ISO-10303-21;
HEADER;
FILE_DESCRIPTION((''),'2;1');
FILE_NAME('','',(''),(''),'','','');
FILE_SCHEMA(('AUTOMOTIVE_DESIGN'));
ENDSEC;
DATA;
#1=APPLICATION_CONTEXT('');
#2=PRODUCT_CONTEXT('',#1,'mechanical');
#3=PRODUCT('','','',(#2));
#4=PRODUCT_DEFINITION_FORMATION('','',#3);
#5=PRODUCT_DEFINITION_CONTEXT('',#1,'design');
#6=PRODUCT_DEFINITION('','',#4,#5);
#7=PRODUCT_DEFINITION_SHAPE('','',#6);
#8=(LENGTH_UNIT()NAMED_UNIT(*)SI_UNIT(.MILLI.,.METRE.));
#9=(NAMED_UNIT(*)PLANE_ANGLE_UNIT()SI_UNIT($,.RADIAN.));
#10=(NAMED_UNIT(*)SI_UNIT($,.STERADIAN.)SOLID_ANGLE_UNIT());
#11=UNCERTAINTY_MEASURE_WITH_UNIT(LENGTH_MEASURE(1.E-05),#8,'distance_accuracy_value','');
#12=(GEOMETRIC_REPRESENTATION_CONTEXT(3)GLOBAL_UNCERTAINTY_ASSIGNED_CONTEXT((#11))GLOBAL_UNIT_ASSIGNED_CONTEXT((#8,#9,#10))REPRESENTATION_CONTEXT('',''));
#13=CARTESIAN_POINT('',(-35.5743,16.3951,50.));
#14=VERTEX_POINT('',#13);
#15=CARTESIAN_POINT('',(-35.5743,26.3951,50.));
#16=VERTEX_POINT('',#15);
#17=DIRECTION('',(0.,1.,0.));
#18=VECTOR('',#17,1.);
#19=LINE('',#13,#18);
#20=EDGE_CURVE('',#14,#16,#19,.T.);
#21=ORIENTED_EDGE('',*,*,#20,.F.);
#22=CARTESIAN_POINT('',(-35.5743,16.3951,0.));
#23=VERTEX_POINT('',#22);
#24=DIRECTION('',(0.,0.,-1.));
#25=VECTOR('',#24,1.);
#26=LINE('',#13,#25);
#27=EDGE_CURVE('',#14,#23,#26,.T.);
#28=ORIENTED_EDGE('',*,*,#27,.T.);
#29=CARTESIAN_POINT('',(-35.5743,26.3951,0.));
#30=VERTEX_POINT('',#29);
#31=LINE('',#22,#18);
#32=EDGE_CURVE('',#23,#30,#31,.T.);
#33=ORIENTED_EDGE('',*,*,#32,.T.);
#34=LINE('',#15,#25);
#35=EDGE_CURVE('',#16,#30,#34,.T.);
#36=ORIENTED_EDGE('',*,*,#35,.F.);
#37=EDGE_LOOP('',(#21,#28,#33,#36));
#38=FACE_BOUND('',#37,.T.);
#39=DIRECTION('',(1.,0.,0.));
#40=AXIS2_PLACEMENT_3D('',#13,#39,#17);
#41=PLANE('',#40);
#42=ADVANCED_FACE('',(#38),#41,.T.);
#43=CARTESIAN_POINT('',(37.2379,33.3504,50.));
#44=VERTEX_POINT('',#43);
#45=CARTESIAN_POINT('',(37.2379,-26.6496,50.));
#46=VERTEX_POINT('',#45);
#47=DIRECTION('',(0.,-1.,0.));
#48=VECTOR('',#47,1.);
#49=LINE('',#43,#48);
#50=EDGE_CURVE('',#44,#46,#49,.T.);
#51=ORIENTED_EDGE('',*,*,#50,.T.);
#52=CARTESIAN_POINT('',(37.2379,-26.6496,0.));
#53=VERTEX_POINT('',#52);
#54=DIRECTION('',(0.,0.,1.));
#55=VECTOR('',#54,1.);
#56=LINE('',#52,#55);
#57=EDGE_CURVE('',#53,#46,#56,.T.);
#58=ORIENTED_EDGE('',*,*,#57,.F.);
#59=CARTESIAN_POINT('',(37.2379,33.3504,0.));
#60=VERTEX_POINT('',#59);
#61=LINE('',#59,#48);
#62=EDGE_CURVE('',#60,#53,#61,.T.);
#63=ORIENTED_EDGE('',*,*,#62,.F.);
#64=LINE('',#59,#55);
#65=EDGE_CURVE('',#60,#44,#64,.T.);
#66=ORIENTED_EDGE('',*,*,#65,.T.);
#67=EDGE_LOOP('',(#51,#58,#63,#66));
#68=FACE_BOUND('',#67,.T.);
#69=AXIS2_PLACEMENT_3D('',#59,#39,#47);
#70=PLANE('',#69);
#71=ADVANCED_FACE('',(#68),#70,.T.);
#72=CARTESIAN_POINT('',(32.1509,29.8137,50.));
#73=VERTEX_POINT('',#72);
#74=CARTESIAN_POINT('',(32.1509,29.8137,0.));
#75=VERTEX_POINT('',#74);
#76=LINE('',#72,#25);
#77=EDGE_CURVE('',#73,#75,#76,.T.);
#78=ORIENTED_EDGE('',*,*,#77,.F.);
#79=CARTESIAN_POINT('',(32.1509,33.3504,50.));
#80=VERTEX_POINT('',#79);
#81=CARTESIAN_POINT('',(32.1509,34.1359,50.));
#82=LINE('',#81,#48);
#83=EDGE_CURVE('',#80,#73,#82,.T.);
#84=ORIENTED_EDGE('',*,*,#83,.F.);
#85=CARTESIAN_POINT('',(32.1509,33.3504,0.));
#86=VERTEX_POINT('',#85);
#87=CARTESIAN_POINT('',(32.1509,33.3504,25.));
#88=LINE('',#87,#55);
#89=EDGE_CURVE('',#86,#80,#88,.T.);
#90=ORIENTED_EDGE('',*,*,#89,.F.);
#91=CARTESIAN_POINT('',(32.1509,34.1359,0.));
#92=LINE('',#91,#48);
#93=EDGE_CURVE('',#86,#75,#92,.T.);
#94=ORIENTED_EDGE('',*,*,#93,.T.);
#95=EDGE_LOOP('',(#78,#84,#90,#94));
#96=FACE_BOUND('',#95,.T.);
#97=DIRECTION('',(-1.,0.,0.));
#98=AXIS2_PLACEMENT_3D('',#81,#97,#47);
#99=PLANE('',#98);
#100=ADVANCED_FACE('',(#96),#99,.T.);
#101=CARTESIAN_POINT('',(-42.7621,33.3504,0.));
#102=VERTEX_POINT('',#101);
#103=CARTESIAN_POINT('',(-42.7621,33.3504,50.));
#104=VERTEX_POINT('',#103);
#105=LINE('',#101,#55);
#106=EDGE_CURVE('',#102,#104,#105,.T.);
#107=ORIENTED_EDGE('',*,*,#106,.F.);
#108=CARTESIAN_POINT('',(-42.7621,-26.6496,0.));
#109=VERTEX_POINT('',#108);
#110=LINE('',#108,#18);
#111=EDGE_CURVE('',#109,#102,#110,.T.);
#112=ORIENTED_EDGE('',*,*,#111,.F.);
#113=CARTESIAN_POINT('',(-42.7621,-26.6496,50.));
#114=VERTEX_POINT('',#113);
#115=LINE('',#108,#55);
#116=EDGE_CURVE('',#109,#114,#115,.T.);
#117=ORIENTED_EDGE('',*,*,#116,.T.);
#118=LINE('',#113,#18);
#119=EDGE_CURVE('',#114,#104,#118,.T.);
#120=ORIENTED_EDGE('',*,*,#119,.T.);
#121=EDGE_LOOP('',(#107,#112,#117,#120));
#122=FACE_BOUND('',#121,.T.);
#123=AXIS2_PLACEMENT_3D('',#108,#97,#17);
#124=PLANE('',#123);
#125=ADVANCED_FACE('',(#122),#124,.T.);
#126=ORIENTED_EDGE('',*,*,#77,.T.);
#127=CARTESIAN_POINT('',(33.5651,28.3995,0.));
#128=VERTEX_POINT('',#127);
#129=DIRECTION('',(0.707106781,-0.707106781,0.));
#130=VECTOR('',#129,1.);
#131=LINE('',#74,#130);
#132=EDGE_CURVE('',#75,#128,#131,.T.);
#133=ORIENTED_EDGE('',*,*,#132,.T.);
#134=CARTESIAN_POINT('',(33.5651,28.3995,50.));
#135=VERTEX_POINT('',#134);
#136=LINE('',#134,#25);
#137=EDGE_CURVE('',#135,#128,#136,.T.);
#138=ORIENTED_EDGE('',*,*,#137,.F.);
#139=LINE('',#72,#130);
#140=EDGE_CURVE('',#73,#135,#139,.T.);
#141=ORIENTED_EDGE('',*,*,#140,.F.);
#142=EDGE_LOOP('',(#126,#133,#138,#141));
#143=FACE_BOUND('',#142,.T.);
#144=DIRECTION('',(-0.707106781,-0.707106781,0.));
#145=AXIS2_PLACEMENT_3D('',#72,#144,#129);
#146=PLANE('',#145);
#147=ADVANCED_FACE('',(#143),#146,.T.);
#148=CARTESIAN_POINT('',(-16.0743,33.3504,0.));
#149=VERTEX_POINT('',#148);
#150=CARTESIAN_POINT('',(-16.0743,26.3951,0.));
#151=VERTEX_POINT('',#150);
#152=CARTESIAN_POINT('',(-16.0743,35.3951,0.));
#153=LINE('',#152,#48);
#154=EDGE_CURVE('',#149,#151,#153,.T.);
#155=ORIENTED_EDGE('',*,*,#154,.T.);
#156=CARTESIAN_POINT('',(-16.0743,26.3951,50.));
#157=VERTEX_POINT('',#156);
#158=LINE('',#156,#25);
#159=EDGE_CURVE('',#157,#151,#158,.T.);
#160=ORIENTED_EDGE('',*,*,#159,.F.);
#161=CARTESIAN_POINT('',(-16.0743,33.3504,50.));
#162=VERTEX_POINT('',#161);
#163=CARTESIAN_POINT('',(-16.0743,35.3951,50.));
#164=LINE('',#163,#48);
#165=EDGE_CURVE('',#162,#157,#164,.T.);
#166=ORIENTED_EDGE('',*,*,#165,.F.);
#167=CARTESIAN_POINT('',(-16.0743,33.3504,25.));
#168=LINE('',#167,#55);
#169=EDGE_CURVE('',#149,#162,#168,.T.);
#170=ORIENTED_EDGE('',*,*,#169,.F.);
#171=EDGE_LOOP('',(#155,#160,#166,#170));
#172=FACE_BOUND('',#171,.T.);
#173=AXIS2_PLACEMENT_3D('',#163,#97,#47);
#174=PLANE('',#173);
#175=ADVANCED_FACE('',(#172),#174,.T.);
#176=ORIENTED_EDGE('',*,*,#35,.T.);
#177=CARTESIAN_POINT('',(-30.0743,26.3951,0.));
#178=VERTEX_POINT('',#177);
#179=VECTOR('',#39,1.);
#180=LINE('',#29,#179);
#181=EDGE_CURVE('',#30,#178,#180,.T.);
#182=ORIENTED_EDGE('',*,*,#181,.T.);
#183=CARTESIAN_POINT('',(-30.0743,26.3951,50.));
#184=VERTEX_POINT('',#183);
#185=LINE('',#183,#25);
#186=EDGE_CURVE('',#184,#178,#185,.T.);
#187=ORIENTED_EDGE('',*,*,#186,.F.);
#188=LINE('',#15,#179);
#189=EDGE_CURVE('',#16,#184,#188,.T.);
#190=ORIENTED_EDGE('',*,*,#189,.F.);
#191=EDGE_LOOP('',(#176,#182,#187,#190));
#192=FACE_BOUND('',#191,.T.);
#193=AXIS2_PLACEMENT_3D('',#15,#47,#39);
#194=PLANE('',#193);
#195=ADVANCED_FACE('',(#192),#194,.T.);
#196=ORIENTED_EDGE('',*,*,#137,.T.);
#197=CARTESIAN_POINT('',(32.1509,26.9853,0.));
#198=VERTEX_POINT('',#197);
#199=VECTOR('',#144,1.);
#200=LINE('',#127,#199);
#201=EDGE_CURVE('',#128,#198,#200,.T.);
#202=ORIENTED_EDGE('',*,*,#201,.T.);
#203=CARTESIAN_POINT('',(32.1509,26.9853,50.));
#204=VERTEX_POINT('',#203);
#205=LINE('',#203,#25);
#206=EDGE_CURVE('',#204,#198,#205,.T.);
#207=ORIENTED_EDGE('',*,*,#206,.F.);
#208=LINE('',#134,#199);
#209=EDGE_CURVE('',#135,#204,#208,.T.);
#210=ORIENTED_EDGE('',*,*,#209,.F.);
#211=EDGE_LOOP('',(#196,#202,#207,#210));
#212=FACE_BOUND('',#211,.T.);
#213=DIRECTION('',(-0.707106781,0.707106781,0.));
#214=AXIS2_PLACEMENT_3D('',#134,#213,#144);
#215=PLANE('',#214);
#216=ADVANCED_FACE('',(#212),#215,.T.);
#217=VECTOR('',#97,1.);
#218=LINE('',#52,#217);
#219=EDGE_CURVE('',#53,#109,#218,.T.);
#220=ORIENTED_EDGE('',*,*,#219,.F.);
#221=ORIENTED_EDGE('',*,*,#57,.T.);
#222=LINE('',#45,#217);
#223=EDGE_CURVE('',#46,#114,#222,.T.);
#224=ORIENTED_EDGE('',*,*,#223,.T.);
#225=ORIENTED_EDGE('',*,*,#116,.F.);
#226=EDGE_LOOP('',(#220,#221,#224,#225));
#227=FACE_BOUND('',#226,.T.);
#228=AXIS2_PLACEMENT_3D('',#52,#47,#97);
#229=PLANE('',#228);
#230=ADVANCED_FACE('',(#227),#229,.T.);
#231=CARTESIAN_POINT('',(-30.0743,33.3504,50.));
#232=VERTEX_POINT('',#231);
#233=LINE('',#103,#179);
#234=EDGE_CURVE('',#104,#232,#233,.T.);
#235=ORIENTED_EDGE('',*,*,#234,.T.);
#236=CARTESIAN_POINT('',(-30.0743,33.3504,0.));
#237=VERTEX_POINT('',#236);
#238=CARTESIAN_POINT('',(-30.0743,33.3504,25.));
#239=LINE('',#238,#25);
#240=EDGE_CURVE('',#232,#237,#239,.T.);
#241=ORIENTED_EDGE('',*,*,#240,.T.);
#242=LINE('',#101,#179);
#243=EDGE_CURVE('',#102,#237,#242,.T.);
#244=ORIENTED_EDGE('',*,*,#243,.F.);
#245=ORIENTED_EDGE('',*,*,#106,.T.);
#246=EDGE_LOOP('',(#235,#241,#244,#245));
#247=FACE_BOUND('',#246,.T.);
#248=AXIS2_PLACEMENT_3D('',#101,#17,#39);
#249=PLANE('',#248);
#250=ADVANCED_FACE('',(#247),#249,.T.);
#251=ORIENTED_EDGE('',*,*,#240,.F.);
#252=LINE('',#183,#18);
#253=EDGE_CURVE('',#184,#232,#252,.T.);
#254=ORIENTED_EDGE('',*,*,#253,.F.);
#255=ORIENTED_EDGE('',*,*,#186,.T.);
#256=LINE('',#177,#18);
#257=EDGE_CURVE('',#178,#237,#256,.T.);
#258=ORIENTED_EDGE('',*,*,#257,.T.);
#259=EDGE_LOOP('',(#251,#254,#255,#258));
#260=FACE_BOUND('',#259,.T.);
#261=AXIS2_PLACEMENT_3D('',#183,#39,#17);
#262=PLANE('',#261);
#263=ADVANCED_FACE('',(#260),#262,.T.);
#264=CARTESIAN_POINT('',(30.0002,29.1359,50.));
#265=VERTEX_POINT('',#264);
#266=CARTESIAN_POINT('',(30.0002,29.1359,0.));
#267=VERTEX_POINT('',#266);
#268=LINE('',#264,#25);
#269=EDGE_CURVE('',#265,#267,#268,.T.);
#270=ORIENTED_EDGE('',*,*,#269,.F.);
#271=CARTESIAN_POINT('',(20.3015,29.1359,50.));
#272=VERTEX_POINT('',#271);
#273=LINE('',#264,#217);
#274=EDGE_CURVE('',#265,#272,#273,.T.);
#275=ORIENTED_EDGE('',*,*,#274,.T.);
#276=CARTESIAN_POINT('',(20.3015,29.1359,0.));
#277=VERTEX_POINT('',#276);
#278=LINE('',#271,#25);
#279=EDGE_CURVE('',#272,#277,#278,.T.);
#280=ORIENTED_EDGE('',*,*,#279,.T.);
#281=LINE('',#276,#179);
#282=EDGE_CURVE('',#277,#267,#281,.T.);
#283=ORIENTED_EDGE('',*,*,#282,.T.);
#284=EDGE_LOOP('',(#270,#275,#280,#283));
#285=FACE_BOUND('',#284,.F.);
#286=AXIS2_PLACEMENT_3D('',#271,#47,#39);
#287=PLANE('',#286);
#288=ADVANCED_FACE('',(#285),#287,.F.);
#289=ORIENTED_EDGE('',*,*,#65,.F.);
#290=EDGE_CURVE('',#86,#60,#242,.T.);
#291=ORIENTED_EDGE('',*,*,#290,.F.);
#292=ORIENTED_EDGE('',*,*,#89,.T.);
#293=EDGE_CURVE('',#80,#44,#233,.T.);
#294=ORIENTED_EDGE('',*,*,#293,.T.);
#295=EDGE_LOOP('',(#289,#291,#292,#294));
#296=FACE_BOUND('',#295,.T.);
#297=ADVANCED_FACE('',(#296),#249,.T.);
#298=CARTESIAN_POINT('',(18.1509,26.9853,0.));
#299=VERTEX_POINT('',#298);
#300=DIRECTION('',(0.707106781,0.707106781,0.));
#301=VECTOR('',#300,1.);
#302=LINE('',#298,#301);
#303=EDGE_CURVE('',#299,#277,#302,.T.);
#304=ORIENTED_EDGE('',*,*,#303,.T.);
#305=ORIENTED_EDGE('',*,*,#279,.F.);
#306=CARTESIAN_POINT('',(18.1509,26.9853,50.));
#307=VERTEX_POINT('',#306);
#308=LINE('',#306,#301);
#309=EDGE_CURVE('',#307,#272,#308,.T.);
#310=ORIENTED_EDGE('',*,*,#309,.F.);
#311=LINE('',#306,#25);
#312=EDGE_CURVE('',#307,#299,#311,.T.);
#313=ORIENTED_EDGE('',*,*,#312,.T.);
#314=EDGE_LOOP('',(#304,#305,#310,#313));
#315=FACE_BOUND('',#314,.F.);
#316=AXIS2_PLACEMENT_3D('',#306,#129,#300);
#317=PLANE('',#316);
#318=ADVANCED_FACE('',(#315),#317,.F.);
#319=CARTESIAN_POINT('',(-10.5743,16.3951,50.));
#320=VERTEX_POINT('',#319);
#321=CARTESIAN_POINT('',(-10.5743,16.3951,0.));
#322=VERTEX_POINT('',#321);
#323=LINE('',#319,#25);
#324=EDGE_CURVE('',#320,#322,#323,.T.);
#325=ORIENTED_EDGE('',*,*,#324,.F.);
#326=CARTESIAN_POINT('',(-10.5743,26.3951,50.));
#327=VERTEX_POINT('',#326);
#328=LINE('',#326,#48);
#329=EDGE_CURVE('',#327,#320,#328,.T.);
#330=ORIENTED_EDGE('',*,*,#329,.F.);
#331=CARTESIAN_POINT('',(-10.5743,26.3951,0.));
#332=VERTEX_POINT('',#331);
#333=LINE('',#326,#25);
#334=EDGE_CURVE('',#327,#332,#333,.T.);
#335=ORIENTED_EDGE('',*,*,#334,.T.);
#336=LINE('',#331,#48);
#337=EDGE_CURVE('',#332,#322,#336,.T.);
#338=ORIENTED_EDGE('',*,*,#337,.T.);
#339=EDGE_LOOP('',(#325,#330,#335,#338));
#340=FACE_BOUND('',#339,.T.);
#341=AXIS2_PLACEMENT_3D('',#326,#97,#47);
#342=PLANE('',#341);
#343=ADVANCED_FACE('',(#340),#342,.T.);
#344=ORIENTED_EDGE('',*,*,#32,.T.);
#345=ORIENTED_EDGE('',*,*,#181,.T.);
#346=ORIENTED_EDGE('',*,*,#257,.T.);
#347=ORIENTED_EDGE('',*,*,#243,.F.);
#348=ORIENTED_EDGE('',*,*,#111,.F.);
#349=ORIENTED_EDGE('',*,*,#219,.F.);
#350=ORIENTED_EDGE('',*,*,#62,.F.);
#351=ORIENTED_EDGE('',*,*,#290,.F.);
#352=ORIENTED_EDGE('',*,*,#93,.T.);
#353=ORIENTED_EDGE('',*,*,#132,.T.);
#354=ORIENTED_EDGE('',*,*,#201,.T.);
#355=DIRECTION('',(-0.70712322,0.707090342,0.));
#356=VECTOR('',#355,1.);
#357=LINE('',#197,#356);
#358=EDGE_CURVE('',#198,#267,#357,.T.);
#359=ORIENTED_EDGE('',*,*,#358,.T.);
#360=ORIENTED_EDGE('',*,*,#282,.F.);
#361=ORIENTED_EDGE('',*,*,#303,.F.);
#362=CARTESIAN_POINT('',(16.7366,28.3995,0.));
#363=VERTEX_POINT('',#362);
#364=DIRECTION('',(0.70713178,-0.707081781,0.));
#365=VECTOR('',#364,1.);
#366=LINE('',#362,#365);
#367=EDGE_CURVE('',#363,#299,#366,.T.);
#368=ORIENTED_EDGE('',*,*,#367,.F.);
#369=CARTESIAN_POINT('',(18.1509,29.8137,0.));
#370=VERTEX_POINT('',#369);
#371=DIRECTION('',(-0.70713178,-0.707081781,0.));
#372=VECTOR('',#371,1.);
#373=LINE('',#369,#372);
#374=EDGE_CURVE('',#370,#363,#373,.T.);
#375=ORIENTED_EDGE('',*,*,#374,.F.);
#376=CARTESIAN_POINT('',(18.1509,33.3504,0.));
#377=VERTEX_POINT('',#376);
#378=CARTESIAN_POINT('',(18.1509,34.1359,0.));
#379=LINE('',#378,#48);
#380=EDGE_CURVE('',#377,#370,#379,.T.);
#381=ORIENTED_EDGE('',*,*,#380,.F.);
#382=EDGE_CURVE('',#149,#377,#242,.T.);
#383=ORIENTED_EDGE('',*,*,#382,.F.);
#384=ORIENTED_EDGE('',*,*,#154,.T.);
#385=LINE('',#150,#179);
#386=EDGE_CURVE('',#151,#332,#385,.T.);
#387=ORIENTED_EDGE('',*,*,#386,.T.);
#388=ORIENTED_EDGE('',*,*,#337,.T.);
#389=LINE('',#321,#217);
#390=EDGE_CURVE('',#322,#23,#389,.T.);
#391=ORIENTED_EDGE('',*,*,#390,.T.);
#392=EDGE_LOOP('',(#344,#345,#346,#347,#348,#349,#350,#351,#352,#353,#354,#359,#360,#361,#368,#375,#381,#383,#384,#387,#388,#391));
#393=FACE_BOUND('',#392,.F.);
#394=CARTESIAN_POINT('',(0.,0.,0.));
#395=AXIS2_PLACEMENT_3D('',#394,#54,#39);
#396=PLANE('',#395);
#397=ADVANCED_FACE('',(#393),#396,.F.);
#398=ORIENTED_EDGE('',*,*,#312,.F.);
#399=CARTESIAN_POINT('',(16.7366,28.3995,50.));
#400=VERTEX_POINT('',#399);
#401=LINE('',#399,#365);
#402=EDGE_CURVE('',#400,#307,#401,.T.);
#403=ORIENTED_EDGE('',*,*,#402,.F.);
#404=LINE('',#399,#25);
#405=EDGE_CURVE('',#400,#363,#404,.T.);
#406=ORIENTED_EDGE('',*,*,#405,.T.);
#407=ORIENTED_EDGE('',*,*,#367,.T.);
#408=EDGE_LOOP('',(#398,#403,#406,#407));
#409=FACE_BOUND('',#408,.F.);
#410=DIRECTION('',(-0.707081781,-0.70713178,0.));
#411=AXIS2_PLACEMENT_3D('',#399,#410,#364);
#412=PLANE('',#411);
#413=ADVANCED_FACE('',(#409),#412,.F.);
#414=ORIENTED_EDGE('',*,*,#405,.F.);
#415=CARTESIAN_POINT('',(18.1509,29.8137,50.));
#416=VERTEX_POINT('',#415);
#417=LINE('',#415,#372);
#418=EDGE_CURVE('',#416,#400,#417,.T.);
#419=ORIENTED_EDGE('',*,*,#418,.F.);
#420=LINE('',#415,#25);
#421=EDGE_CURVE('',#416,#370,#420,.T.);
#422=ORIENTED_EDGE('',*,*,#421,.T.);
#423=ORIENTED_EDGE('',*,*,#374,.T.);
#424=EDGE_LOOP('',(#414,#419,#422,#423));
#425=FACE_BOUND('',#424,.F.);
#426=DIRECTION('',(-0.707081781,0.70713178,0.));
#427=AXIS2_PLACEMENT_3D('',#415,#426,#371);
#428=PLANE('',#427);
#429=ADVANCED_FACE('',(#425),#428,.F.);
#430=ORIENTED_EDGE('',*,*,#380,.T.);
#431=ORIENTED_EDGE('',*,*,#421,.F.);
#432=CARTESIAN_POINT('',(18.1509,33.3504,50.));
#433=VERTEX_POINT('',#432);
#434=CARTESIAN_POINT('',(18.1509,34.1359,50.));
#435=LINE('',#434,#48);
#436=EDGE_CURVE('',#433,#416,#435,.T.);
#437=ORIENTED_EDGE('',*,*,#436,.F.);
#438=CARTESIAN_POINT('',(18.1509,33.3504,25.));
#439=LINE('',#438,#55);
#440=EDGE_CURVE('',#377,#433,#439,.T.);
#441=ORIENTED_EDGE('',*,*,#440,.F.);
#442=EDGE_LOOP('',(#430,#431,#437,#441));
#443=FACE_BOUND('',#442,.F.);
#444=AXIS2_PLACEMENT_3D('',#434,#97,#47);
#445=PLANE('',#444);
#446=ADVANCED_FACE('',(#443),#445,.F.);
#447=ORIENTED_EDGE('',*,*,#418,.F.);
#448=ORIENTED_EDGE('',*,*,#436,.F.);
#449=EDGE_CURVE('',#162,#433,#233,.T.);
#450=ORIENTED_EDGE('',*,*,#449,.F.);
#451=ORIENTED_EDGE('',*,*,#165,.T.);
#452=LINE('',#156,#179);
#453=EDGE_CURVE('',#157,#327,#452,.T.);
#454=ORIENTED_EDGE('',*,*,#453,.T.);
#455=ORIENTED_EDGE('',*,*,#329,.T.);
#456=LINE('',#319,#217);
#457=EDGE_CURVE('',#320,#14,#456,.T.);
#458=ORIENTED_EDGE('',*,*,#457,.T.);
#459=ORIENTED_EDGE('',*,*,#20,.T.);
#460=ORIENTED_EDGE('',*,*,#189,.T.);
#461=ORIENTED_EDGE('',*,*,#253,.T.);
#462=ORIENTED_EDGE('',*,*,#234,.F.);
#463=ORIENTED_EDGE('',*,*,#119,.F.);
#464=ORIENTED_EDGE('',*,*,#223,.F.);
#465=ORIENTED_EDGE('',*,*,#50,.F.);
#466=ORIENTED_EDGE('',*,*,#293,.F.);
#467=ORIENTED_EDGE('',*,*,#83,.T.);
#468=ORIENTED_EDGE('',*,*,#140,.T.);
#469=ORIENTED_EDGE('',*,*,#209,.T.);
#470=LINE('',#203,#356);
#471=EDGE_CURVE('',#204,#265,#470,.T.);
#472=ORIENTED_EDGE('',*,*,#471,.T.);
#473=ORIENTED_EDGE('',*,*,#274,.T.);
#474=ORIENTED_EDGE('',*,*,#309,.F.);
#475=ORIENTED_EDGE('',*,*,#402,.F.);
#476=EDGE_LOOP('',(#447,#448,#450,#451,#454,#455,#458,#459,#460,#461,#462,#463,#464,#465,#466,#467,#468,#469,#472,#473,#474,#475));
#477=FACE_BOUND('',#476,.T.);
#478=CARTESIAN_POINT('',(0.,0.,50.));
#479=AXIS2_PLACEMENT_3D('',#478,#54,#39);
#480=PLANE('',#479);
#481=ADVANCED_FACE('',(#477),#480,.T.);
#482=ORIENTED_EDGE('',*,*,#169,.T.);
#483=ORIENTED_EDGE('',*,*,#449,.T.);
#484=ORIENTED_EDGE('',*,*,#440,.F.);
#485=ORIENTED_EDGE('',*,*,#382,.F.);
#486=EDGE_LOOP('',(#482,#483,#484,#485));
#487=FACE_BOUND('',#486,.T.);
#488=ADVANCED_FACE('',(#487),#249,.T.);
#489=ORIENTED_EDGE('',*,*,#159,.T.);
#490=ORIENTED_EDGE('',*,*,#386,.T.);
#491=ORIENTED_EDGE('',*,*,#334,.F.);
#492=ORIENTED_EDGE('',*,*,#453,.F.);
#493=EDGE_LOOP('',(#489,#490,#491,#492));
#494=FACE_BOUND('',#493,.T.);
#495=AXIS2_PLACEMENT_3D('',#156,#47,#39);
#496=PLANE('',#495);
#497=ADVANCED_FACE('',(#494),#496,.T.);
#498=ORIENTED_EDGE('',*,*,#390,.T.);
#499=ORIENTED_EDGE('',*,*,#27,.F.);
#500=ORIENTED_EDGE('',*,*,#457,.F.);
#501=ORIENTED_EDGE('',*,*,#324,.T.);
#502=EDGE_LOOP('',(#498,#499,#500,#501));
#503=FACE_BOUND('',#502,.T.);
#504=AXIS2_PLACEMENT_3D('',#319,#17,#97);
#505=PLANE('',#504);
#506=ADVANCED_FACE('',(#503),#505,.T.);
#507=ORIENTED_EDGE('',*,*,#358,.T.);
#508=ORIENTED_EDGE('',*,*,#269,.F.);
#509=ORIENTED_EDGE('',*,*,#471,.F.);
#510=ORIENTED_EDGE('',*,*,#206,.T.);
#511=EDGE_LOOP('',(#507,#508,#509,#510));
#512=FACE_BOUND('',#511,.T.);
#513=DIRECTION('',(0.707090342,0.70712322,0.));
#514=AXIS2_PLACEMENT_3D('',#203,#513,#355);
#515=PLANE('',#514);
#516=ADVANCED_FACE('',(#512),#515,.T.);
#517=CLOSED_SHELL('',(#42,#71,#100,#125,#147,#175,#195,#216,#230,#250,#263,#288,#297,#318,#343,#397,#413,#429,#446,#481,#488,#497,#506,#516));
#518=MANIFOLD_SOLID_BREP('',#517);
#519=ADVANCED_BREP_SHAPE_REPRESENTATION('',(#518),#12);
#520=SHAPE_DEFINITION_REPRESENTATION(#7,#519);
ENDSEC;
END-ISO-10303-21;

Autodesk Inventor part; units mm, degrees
ref_plane "YZ Plane" through (0, 0, 0) normal (1, 0, 0) x (0, 1, 0)
ref_plane "XZ Plane" through (0, 0, 0) normal (0, 1, 0) x (-1, 0, 0)
ref_plane "XY Plane" through (0, 0, 0) normal (0, 0, 1) x (1, 0, 0)
sketch "Sketch1" plane through (0, 0, 0) normal (0, 0, 1) x (1, 0, 0)
  line L0 (-42.7621, 33.3504) -> (37.2379, 33.3504)
  line L1 (37.2379, 33.3504) -> (37.2379, -26.6496)
  line L2 (37.2379, -26.6496) -> (-42.7621, -26.6496)
  line L3 (-42.7621, -26.6496) -> (-42.7621, 33.3504)
  point P0 (0, 0)
  dimension "d0" = 80
  dimension "d1" = 60
extrude "Extrusion1" add sketch "Sketch1" along normal blind 50
sketch "Sketch2" plane through (0, 0, 50) normal (0, 0, 1) x (1, 0, 0)
  line L0 (-30.0743, 35.3951) -> (-16.0743, 35.3951)
  line L1 (-16.0743, 35.3951) -> (-16.0743, 26.3951)
  line L2 (-16.0743, 26.3951) -> (-10.5743, 26.3951)
  line L3 (-10.5743, 26.3951) -> (-10.5743, 16.3951)
  line L4 (-10.5743, 16.3951) -> (-35.5743, 16.3951)
  line L5 (-35.5743, 16.3951) -> (-35.5743, 26.3951)
  line L6 (-35.5743, 26.3951) -> (-30.0743, 26.3951)
  line L7 (-30.0743, 26.3951) -> (-30.0743, 35.3951)
  point P0 (0, 0)
  point P1 (-23.0743, 35.3951)
  dimension "d4" = 14
  dimension "d5" = 25
  dimension "d6" = 10
  dimension "d7" = 9
  dimension "d8" = 7
  dimension "d9" = 12.5
extrude "Extrusion2" cut sketch "Sketch2" against normal blind 50
sketch "Sketch3" plane through (0, 0, 50) normal (0, 0, 1) x (1, 0, 0)
  line L0 (25.1509, 34.1359) -> (32.1509, 34.1359)
  line L1 (32.1509, 34.1359) -> (32.1509, 29.8137)
  line L2 (32.1509, 29.8137) -> (33.5651, 28.3995)
  line L3 (33.5651, 28.3995) -> (32.1509, 26.9853)
  line L4 (32.1509, 26.9853) -> (30.0002, 29.1359)
  line L5 (30.0002, 29.1359) -> (25.1509, 29.1359)
  line L6 (25.1509, 34.1359) -> (25.1509, 29.1359) construction
  line L7 (25.1509, 34.1359) -> (18.1509, 34.1359)
  line L8 (18.1509, 34.1359) -> (18.1509, 29.8137)
  line L9 (18.1509, 29.8137) -> (16.7366, 28.3995)
  line L10 (16.7366, 28.3995) -> (18.1509, 26.9853)
  line L11 (18.1509, 26.9853) -> (20.3015, 29.1359)
  line L12 (20.3015, 29.1359) -> (25.1509, 29.1359)
  point P0 (0, 0)
  dimension "d12" = 7
  dimension "d13" = 5
  dimension "d14" = 2
  dimension "d15" = 2
  dimension "d16" = 135
  dimension "d17" = 4.3222
extrude "Extrusion3" cut sketch "Sketch3" against normal blind 50
properties part number "PiesaSuportCanale"
